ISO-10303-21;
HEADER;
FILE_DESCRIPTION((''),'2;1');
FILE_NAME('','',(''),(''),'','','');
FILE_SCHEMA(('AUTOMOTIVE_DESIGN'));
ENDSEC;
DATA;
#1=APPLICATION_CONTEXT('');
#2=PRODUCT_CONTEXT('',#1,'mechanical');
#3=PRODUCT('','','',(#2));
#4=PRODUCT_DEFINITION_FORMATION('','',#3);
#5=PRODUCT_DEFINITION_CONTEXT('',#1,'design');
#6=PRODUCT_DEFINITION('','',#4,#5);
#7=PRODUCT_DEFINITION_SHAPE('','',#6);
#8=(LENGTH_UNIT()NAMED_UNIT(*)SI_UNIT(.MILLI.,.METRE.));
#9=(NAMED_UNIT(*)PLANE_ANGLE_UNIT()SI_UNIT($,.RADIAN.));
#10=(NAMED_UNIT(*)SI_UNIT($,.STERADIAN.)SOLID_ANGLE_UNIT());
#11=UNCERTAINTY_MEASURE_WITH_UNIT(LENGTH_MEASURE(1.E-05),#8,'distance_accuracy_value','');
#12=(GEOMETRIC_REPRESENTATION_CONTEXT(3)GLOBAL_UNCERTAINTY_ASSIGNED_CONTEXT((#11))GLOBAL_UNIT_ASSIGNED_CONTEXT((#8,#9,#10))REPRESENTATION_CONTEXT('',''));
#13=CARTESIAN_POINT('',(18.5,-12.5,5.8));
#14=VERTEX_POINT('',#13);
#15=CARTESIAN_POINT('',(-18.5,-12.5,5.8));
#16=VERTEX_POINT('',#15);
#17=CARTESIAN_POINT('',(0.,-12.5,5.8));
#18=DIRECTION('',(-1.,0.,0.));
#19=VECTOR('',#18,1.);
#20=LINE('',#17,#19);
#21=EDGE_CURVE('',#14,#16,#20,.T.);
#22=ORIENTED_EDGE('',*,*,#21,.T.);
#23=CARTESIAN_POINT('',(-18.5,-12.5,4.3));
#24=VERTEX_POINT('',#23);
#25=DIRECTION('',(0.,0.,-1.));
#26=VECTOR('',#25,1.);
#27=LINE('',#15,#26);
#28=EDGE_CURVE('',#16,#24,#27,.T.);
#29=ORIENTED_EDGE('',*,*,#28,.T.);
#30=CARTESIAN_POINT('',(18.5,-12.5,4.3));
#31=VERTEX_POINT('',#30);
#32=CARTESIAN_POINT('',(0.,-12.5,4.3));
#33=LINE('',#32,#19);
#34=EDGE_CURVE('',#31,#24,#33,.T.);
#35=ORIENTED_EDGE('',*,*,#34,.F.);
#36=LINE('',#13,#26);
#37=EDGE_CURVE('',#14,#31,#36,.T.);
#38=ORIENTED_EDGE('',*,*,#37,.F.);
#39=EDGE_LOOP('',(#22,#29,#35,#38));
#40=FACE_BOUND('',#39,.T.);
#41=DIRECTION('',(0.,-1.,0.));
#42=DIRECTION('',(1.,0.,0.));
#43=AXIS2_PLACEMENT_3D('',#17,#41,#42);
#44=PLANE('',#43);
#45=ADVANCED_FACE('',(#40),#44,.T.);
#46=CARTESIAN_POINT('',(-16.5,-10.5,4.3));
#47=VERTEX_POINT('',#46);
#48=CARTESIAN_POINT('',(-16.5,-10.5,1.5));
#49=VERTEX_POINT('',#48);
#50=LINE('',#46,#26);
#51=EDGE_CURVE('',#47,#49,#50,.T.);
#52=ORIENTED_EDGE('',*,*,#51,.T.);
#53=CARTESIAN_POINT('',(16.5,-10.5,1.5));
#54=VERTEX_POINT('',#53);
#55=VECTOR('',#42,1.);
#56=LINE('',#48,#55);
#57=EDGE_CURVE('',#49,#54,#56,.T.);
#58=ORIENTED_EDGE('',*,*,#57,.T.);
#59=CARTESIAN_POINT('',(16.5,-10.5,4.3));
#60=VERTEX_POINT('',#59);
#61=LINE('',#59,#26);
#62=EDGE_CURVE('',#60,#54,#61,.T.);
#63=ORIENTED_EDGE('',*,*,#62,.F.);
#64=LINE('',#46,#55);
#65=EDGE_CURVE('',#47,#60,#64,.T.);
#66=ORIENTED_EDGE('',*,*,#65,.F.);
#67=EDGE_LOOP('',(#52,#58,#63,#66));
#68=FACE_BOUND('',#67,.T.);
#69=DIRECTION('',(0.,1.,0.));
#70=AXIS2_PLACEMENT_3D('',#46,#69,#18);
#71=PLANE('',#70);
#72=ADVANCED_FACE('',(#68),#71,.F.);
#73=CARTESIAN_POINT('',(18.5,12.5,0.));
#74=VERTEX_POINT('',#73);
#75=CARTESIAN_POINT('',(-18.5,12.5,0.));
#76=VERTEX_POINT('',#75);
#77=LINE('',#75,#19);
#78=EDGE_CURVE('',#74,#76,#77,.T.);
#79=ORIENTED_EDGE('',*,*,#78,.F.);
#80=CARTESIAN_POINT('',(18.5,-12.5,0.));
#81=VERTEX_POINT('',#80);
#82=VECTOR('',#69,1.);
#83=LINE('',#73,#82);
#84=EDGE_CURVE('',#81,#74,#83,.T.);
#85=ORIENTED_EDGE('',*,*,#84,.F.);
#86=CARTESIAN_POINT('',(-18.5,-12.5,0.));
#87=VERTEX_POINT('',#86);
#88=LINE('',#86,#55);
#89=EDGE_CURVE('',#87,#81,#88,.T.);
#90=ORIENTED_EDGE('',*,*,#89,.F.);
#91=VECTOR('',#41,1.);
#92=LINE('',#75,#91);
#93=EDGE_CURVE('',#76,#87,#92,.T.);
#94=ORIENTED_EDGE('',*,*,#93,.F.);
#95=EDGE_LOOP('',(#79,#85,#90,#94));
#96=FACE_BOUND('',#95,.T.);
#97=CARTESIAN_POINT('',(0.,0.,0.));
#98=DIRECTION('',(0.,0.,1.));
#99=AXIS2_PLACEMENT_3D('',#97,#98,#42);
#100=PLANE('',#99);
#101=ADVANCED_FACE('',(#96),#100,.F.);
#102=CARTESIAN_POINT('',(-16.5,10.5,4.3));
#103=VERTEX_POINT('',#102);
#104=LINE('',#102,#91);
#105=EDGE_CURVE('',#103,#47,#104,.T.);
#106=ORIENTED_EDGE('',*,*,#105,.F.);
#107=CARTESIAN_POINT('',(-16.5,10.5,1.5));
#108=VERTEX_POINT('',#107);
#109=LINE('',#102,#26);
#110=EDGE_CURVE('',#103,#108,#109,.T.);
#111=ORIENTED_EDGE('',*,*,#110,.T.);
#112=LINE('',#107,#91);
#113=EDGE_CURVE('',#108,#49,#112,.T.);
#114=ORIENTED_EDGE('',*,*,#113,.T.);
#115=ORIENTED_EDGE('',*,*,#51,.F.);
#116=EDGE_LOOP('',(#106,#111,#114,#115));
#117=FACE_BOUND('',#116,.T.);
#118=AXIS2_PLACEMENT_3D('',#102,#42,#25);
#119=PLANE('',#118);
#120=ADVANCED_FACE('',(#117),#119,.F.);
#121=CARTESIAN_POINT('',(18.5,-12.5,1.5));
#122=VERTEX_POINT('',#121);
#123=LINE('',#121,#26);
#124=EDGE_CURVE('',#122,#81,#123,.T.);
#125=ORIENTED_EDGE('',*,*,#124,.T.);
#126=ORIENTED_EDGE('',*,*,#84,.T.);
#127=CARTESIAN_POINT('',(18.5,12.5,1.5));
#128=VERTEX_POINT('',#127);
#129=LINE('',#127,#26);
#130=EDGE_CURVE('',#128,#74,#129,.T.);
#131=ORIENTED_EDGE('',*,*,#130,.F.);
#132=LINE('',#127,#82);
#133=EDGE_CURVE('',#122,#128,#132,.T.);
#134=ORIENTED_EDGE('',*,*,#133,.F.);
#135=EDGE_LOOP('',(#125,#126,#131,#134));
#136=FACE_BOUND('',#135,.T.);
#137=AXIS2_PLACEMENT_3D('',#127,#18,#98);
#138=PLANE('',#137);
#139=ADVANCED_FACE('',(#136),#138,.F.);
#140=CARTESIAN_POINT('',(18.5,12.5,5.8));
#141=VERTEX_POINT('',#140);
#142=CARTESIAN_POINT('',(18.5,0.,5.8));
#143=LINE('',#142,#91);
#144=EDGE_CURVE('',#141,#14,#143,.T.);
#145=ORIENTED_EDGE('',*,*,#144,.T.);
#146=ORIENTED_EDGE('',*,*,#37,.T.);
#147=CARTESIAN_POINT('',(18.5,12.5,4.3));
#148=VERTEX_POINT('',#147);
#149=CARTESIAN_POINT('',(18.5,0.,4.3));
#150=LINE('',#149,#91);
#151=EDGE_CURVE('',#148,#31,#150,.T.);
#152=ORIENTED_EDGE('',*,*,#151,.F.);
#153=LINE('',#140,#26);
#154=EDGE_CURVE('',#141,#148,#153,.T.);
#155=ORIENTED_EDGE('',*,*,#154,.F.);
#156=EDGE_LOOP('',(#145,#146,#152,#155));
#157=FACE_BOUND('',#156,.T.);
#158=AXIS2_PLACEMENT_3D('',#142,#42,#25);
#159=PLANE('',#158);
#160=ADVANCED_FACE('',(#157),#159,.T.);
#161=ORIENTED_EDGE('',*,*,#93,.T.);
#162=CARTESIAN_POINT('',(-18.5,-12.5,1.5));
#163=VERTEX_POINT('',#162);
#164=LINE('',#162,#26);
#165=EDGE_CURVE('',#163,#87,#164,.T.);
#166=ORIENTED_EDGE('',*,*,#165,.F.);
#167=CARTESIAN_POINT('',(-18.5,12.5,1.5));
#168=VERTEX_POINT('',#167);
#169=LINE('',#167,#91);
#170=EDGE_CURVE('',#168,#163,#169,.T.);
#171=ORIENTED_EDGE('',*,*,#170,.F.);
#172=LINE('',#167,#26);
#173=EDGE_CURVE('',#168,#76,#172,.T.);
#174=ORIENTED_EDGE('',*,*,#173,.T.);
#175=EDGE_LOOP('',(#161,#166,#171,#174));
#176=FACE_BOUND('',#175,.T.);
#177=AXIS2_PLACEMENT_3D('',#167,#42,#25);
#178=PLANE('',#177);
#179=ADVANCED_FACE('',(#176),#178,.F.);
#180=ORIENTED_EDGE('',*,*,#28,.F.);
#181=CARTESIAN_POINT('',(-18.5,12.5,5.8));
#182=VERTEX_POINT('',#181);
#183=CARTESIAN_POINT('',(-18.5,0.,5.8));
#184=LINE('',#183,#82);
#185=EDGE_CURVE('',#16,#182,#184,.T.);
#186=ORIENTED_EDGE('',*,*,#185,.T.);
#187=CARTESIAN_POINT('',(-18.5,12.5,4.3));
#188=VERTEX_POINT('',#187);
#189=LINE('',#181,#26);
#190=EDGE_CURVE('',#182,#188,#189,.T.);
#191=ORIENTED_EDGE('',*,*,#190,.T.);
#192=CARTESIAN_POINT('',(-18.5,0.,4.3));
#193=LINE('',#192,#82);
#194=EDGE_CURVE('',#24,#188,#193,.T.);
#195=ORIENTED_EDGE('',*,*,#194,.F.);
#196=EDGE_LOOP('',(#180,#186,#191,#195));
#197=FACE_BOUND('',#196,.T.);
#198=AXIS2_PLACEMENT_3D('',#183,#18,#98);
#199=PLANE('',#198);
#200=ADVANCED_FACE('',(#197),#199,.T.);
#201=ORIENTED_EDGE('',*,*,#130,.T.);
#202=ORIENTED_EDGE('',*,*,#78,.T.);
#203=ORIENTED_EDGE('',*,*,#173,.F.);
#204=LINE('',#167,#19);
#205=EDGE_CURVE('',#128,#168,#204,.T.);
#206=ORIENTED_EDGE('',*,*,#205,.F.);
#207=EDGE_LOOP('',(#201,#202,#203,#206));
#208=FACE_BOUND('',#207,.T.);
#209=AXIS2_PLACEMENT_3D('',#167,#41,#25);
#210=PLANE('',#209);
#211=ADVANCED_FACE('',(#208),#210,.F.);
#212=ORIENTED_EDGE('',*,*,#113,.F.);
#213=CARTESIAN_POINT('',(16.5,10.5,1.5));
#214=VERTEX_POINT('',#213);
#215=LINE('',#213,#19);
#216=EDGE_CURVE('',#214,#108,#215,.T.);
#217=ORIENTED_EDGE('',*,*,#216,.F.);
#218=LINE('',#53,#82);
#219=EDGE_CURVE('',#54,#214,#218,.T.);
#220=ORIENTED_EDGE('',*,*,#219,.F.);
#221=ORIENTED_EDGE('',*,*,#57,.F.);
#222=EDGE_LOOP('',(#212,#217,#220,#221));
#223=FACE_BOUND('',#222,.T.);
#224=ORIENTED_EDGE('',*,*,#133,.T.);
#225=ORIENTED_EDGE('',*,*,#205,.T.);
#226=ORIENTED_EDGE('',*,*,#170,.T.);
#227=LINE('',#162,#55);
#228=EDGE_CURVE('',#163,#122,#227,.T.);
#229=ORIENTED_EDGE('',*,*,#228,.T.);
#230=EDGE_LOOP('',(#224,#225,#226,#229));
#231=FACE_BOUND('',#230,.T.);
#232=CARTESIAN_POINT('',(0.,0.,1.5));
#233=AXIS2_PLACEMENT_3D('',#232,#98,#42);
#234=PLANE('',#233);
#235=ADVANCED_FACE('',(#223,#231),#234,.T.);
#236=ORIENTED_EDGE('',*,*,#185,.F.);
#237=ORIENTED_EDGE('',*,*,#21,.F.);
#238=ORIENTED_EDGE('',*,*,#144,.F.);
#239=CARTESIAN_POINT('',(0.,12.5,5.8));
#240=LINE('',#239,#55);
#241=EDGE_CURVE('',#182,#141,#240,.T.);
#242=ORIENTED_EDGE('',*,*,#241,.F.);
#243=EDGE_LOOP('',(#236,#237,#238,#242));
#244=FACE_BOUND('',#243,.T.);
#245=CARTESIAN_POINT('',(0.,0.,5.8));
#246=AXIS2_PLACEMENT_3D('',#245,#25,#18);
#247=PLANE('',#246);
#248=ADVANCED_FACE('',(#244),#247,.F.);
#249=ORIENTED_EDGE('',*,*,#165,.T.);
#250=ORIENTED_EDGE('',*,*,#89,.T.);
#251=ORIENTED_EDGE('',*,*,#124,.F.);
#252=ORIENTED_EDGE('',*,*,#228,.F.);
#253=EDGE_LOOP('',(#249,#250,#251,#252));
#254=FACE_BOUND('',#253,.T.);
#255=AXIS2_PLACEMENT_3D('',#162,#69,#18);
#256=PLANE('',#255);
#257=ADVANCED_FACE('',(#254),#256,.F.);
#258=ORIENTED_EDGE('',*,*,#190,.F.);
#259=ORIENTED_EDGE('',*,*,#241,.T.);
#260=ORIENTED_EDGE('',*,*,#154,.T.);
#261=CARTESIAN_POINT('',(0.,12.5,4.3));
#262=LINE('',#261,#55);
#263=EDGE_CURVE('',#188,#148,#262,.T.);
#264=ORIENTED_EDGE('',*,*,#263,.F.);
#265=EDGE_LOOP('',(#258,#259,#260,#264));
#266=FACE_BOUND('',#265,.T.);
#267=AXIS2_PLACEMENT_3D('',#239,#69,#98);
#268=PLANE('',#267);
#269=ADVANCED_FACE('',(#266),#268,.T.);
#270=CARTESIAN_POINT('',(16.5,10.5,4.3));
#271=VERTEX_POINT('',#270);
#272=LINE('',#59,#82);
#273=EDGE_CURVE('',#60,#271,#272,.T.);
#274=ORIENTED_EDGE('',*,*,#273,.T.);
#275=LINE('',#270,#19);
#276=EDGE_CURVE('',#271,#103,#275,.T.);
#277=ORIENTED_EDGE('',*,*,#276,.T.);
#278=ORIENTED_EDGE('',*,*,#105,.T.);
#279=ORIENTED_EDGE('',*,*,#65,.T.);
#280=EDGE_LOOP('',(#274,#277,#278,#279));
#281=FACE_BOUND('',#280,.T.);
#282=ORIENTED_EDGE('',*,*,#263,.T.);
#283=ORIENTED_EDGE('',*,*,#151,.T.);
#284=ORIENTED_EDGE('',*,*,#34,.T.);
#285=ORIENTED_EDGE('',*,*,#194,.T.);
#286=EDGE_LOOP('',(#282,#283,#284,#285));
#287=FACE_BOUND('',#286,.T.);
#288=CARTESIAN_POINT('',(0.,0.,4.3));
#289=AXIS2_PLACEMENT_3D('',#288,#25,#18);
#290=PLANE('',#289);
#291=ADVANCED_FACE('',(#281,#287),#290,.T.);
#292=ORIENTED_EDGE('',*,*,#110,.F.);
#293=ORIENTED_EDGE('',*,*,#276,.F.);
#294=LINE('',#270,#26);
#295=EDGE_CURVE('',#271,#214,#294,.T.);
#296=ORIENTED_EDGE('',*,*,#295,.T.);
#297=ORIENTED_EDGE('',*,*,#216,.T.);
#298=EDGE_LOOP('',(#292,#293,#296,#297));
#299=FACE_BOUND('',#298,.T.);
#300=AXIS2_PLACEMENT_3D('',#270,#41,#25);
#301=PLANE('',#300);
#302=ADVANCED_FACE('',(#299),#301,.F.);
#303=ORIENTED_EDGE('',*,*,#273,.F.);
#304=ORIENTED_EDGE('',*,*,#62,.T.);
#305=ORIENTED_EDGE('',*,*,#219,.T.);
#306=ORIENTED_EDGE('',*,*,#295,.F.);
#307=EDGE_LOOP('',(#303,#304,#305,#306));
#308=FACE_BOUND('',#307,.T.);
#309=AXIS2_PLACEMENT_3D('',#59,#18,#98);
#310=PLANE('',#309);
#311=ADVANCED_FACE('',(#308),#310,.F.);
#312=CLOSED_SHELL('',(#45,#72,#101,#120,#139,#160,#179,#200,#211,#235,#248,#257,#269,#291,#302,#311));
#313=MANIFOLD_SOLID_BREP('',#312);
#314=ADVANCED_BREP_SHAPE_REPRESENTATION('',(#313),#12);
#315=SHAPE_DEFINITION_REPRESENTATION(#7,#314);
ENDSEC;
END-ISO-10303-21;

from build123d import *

# Parameters (mm, degrees)
CROQUIS1_W              = 37
CROQUIS1_H              = 25
SALIENTE_EXTRUIR1_DEPTH = 1.5
CROQUIS2_W              = 33
CROQUIS2_H              = 21
SALIENTE_EXTRUIR2_DEPTH = 2.8
SALIENTE_EXTRUIR3_START = 4.3
CROQUIS1_2_W            = 37
CROQUIS1_2_H            = 25
SALIENTE_EXTRUIR3_DEPTH = 1.5


with BuildPart() as part:
    # Croquis1 → Saliente-Extruir1 (new body)
    with BuildSketch(Plane.XY):
        Rectangle(CROQUIS1_W, CROQUIS1_H)
    extrude(amount=SALIENTE_EXTRUIR1_DEPTH)

    # Croquis2 → Saliente-Extruir2 (add)
    with BuildSketch(Plane.XY.offset(1.5)):
        Rectangle(CROQUIS2_W, CROQUIS2_H)
    extrude(amount=SALIENTE_EXTRUIR2_DEPTH)

    # Croquis1<2> → Saliente-Extruir3 (add)
    with BuildSketch(Plane.XY.offset(SALIENTE_EXTRUIR3_START)):
        Rectangle(CROQUIS1_2_W, CROQUIS1_2_H)
    extrude(amount=SALIENTE_EXTRUIR3_DEPTH)


solid = part.part
